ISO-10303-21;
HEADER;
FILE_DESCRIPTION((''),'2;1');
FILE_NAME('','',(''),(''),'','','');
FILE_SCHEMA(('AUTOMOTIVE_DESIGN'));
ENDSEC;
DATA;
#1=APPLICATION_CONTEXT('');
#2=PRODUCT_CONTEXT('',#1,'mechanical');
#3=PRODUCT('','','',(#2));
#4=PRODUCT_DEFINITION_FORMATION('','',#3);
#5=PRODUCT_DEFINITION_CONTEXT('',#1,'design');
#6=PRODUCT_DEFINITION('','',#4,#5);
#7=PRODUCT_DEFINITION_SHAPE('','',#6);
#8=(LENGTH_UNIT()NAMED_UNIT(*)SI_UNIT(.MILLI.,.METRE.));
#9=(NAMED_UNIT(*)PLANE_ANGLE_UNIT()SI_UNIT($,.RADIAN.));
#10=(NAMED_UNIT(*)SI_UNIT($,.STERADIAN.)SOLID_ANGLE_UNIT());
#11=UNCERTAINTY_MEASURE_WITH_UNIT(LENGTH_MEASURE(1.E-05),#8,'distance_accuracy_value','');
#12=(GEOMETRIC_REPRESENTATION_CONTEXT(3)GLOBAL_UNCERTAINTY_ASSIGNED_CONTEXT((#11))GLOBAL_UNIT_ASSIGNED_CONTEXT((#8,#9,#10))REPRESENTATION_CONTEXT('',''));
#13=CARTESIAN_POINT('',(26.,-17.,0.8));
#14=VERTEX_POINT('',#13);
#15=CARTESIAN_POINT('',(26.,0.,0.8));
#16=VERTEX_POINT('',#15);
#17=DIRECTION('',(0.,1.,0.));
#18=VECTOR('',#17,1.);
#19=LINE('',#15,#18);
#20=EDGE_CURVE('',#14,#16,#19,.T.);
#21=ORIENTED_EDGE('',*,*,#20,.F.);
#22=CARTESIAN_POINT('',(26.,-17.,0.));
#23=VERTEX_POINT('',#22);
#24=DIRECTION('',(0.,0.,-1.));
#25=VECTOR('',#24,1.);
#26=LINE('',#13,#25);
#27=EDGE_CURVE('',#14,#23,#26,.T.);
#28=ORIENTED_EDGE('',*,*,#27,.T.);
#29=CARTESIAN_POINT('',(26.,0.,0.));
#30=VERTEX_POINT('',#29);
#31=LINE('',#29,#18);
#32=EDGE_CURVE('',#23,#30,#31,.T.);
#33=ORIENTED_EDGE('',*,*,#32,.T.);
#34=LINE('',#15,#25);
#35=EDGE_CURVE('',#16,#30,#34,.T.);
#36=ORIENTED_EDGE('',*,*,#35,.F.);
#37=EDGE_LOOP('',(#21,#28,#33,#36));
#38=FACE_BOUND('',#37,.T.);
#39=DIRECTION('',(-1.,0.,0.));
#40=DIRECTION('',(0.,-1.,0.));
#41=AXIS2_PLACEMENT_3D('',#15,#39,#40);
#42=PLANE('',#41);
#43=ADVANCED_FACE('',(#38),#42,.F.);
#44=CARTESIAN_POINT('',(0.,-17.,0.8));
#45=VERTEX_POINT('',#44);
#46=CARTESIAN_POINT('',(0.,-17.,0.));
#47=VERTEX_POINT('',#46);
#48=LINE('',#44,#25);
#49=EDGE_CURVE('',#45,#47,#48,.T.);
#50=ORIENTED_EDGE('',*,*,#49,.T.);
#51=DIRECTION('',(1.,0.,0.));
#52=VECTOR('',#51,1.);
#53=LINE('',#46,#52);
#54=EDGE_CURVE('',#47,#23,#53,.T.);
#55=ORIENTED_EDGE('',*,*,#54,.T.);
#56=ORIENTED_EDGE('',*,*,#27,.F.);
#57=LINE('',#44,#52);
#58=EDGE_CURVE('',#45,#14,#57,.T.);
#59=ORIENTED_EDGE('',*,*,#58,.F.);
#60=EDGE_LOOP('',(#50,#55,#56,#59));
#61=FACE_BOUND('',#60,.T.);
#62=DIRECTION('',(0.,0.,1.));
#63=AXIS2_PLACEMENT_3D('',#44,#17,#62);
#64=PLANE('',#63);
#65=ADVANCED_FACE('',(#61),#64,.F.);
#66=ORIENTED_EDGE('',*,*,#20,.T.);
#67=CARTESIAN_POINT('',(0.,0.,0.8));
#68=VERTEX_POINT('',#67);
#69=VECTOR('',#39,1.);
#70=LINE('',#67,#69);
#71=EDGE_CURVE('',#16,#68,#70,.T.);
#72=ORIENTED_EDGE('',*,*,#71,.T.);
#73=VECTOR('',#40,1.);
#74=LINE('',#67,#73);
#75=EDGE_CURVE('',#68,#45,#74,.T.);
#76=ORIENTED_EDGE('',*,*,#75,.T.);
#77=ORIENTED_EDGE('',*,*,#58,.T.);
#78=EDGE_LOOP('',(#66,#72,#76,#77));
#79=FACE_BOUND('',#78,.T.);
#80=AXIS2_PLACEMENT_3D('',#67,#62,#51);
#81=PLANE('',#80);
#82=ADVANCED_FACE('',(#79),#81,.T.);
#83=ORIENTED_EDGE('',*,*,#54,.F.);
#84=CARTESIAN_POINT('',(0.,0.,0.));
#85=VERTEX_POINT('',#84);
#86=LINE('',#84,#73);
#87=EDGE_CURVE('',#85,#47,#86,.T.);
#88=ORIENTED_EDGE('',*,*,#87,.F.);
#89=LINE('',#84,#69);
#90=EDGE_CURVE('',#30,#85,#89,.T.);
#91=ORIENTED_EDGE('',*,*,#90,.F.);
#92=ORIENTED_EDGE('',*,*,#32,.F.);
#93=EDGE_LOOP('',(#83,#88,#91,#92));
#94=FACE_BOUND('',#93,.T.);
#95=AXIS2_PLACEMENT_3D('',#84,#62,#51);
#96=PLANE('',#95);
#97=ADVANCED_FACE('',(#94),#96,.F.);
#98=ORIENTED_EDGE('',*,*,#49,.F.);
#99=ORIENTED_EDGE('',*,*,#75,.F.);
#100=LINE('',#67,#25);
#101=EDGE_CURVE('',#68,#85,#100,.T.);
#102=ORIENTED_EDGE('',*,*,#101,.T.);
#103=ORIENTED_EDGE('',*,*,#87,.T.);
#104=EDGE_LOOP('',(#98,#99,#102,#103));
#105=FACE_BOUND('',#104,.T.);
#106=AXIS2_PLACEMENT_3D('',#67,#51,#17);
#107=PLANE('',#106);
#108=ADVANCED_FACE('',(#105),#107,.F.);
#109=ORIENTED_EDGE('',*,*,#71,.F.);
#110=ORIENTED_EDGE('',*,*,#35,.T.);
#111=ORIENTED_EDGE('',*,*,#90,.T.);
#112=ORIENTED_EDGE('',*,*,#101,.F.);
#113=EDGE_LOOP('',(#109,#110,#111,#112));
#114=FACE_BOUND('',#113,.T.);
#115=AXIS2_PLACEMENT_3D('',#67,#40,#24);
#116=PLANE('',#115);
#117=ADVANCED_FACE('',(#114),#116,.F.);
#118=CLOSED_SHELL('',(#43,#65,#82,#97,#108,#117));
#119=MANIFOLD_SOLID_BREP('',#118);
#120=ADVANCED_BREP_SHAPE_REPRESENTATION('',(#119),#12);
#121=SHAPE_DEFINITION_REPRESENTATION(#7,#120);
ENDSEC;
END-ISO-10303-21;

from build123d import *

# Parameters (mm, degrees)
SKETCH1_W           = 26
SKETCH1_H           = 17
BOSS_EXTRUDE1_DEPTH = 0.8


with BuildPart() as part:
    # Sketch1 → Boss-Extrude1 (new body)
    with BuildSketch(Plane.XY):
        with Locations((13, -8.5)):
            Rectangle(SKETCH1_W, SKETCH1_H)
    extrude(amount=BOSS_EXTRUDE1_DEPTH)


solid = part.part
